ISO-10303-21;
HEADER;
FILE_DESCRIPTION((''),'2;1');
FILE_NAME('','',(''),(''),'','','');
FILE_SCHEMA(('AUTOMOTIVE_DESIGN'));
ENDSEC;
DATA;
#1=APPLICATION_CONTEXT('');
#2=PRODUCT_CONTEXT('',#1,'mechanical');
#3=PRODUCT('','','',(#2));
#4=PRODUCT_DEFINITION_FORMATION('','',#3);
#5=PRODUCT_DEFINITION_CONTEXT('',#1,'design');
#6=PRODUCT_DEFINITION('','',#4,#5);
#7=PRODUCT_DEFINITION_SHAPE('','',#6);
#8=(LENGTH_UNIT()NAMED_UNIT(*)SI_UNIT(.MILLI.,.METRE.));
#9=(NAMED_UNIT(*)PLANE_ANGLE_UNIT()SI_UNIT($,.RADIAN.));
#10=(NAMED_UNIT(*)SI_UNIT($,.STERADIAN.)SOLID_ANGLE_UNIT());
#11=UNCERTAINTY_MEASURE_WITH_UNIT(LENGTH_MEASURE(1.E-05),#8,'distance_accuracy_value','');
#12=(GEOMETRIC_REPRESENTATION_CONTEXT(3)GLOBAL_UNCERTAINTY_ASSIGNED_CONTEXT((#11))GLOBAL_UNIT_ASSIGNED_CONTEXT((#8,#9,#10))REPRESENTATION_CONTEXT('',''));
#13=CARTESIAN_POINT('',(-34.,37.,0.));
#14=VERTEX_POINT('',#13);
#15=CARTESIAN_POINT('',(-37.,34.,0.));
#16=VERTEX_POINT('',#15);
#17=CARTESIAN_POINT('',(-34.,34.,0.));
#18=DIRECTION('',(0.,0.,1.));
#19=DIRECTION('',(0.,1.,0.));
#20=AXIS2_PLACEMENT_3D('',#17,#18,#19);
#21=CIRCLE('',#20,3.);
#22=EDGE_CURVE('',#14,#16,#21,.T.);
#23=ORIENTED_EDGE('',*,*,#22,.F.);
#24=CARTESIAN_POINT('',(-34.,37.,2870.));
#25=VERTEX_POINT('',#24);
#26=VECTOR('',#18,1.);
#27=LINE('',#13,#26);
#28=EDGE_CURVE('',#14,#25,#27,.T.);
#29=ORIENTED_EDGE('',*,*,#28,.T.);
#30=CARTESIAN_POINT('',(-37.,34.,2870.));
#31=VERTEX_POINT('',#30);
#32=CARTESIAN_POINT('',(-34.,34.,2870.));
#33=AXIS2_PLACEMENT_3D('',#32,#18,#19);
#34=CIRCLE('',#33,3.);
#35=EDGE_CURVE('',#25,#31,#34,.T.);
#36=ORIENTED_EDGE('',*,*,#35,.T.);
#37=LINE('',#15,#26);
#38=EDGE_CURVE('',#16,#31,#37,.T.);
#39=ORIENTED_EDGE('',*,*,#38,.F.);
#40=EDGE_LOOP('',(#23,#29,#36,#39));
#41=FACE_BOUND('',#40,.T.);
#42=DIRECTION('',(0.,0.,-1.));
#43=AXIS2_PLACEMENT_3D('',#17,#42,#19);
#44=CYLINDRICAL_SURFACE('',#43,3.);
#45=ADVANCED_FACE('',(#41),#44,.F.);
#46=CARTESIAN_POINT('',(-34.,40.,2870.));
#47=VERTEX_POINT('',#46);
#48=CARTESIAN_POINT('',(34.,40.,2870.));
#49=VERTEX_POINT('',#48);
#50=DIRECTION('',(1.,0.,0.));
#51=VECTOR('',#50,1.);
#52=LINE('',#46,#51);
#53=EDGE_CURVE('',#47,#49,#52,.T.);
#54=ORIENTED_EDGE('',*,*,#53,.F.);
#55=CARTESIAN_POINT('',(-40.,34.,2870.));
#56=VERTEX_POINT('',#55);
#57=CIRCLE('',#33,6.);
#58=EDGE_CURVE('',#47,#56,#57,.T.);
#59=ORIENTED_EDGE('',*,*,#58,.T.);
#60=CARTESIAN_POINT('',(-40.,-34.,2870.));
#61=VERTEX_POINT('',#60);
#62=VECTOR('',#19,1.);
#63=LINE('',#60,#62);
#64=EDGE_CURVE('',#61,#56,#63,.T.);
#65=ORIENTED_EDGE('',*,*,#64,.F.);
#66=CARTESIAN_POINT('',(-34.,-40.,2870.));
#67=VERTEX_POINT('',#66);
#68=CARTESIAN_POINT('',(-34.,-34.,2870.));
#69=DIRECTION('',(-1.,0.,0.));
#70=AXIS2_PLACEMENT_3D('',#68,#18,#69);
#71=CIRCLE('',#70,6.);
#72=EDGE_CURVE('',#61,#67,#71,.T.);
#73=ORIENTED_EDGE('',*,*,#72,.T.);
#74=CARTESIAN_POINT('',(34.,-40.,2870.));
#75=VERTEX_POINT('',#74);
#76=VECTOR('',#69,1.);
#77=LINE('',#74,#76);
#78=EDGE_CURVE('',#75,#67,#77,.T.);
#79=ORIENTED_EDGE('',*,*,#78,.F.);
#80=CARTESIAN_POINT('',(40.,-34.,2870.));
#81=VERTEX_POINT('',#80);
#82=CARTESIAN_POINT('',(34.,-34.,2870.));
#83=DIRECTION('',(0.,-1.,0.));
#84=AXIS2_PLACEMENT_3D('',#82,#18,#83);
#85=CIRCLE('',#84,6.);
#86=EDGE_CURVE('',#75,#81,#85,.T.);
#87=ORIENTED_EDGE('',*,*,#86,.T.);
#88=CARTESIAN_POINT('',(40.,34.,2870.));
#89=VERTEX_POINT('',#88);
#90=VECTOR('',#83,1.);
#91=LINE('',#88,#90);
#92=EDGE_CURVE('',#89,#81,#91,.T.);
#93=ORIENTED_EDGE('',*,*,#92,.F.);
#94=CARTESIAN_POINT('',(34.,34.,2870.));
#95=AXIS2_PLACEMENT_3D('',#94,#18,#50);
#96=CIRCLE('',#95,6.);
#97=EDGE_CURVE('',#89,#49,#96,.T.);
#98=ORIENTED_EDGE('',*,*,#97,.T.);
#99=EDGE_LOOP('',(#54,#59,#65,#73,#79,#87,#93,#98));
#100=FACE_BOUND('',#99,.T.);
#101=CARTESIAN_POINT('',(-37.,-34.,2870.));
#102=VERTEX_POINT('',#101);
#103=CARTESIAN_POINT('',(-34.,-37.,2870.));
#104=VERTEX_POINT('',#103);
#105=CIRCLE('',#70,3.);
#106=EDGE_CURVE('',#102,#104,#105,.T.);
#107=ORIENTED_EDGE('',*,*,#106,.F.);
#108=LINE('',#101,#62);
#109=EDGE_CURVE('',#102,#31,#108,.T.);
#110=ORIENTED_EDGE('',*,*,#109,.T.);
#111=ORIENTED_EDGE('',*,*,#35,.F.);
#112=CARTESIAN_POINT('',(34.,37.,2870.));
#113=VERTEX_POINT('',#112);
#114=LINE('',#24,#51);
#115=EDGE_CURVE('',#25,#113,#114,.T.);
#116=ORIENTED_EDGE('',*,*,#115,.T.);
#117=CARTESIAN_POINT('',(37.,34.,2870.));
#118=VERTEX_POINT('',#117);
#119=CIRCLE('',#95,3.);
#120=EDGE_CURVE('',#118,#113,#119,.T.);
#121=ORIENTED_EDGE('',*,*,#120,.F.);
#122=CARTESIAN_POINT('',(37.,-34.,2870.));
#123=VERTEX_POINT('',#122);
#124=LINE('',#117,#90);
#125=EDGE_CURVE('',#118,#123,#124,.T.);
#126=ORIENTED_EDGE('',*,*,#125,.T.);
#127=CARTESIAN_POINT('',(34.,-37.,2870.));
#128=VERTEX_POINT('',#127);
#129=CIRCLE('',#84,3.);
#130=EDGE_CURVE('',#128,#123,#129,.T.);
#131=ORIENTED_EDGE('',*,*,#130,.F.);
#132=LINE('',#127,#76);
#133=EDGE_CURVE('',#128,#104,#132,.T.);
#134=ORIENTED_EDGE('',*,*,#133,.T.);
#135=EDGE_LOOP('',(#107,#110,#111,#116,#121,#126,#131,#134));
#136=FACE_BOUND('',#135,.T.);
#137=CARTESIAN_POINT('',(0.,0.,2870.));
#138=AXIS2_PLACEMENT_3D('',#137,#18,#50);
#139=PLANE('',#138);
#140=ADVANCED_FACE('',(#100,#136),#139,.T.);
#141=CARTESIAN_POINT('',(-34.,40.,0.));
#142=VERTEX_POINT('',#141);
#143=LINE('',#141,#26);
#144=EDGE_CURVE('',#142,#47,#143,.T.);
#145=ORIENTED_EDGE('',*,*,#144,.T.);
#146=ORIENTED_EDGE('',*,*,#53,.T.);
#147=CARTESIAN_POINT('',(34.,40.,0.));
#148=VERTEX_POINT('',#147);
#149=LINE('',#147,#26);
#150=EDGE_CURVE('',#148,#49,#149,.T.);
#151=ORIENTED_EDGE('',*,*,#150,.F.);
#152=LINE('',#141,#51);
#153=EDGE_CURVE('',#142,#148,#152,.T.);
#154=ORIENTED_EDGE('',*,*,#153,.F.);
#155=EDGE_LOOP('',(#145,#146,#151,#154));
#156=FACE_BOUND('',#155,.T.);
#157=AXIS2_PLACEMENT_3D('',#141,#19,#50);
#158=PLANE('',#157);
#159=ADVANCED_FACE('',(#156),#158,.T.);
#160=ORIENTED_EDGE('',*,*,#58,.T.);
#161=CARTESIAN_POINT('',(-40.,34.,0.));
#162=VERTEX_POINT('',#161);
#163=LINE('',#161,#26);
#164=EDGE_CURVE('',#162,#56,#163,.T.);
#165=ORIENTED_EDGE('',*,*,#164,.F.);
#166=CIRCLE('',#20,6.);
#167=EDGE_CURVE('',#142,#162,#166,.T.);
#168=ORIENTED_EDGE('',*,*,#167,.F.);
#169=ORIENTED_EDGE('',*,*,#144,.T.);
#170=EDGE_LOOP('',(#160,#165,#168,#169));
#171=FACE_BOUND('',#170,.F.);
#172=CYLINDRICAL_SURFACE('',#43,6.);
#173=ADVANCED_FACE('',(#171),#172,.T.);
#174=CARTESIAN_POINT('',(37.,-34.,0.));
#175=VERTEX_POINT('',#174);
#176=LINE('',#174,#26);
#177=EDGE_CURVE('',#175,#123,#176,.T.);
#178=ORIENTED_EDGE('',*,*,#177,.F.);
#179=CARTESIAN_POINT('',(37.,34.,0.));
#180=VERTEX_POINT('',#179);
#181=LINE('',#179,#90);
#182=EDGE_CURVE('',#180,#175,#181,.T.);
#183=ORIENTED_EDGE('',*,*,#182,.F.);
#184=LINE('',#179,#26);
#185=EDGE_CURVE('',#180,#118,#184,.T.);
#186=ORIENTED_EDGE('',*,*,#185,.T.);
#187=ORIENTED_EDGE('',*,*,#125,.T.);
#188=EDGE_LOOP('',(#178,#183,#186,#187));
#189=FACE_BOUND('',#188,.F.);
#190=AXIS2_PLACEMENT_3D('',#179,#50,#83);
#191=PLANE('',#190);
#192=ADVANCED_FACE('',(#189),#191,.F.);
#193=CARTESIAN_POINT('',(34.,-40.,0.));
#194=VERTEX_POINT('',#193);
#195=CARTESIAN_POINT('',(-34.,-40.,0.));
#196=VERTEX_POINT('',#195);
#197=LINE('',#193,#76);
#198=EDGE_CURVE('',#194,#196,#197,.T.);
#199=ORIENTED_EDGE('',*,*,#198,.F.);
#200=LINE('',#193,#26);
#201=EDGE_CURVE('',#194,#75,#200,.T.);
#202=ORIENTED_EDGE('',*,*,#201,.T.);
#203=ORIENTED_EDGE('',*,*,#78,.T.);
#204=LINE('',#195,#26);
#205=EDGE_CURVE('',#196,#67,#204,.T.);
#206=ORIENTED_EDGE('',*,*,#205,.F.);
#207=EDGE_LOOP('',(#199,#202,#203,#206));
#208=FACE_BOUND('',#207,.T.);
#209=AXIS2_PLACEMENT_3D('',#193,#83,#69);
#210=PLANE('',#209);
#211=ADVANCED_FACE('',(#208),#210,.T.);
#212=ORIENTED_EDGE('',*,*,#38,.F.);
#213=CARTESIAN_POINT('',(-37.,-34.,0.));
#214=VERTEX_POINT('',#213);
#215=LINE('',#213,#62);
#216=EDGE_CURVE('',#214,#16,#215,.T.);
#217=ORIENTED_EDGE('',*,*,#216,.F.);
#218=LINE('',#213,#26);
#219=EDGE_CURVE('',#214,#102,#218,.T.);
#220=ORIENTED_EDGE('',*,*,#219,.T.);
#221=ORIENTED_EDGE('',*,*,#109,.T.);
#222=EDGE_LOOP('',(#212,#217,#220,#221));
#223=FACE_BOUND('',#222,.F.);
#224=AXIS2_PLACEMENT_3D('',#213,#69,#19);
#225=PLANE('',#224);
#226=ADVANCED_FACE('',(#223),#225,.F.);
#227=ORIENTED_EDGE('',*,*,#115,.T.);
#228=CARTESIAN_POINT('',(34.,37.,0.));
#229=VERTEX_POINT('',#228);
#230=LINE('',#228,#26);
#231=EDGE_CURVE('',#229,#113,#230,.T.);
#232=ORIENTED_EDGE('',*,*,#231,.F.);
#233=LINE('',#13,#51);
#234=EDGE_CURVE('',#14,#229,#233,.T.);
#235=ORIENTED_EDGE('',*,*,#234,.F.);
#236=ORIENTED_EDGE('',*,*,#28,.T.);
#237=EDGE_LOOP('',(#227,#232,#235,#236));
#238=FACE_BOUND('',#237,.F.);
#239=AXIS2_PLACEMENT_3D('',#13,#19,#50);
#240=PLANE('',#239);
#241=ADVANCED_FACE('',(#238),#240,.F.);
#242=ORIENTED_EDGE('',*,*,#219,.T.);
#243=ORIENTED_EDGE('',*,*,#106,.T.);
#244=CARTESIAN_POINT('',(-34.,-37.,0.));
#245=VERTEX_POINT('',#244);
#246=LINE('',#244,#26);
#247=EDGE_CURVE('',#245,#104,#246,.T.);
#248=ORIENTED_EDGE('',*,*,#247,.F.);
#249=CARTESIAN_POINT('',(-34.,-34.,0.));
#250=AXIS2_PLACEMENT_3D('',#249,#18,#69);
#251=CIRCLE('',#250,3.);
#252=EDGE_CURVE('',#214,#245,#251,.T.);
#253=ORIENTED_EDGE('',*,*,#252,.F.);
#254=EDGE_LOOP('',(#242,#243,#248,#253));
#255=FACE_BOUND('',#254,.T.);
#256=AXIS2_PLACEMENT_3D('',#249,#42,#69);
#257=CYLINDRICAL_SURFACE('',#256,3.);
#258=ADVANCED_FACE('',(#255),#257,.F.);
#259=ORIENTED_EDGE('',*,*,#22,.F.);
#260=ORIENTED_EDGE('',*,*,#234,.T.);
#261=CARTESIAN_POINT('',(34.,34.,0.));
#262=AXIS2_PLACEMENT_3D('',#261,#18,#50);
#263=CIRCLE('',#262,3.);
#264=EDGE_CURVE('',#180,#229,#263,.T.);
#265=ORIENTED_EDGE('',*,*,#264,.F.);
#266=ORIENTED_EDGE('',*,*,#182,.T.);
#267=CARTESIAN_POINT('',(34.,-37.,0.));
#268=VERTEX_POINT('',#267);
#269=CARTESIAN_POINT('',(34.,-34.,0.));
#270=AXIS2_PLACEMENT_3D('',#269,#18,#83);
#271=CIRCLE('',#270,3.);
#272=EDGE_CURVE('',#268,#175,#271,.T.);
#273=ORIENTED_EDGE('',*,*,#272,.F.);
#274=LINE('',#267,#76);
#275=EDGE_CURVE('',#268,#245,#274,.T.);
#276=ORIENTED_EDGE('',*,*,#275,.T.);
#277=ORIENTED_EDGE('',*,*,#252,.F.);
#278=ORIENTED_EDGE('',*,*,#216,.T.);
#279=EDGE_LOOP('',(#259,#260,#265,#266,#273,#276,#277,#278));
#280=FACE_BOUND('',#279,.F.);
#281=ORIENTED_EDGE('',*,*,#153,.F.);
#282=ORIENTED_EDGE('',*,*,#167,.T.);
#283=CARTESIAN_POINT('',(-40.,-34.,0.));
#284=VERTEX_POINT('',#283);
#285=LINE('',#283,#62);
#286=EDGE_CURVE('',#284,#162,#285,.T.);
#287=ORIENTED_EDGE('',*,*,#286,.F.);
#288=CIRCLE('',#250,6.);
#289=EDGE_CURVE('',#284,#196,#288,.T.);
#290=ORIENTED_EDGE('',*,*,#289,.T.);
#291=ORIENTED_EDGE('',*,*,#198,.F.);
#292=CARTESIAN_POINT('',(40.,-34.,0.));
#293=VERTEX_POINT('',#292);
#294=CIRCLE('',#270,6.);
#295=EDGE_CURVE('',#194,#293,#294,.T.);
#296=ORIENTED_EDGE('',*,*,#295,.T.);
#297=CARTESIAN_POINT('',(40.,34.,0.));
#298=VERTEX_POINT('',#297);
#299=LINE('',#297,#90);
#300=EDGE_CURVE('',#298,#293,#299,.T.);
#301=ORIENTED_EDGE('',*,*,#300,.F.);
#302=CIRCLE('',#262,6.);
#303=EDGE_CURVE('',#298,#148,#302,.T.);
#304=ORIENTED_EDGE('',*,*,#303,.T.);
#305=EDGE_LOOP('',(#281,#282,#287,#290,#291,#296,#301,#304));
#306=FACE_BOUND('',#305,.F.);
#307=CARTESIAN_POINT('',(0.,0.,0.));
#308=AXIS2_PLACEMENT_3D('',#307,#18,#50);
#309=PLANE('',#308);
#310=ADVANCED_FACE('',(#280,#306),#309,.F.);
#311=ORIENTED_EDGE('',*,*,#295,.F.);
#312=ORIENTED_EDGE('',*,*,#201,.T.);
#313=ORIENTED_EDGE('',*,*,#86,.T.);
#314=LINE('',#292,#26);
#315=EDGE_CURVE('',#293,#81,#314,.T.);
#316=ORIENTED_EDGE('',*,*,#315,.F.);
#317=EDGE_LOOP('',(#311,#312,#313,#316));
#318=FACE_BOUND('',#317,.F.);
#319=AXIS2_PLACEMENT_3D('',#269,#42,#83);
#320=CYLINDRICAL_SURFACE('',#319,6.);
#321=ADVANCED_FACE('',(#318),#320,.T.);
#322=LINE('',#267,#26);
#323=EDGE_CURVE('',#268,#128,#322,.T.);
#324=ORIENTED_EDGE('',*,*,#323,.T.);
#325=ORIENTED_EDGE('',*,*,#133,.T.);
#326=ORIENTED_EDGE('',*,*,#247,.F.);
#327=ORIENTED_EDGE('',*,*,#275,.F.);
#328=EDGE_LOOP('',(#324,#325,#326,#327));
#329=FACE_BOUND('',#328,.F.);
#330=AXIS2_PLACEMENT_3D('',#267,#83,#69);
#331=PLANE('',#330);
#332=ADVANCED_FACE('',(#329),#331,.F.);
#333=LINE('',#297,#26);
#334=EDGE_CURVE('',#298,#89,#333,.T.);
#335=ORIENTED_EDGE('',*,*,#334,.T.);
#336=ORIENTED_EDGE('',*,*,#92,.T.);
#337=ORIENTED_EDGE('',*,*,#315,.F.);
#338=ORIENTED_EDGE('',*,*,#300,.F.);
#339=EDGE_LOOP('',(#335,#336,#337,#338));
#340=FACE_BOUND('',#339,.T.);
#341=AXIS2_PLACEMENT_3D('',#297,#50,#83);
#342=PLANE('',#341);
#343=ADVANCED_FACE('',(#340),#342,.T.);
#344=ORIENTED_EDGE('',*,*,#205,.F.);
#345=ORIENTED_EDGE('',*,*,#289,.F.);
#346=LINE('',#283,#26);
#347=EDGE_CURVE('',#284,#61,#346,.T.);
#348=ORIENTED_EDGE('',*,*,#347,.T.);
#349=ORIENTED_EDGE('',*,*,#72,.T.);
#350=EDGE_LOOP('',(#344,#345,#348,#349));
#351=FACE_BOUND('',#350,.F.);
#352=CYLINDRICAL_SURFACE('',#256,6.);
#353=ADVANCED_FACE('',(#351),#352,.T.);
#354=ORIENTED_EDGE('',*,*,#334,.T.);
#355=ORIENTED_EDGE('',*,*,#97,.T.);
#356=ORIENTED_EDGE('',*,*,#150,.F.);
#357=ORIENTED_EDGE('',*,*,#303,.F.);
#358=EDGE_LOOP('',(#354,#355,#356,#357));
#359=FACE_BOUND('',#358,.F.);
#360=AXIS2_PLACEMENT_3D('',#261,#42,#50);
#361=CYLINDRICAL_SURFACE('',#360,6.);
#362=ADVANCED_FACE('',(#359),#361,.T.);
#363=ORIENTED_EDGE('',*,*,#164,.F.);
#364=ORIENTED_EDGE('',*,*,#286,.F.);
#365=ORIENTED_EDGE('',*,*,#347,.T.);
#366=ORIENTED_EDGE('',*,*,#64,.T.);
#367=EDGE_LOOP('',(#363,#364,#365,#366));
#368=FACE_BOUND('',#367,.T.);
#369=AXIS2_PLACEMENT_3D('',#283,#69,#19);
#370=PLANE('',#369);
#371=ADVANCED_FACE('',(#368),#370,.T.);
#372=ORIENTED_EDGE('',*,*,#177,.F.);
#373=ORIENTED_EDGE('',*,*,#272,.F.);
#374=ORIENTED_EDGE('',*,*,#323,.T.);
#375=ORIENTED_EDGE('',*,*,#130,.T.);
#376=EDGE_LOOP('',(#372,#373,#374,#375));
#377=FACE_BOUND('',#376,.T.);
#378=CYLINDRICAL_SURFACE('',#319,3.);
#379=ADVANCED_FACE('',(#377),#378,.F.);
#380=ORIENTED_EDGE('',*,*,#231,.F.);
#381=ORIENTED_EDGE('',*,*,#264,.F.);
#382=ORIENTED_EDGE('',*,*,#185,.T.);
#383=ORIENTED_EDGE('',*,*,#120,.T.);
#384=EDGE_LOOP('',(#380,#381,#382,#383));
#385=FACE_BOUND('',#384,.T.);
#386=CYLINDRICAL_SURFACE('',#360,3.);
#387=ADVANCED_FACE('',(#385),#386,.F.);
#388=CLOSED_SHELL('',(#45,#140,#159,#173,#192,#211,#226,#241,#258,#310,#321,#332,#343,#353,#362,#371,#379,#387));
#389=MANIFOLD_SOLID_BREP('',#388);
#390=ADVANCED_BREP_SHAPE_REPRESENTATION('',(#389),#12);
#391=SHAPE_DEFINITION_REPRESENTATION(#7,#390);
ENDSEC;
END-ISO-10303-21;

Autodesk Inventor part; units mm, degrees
ref_plane "YZ Plane" through (0, 0, 0) normal (1, 0, 0) x (0, 1, 0)
ref_plane "Start Plane" through (0, 0, 0) normal (0, 0, 1) x (1, 0, 0)
ref_plane "End Plane" through (0, 0, 2870) normal (0, 0, 1) x (1, 0, 0)
sketch "Sketch" plane through (0, 0, 0) normal (0, 0, 1) x (1, 0, 0)
  line L0 (-40, -34) -> (-40, 34)
  line L1 (-34, 40) -> (34, 40)
  line L2 (40, 34) -> (40, -34)
  line L3 (34, -40) -> (-34, -40)
  arc A0 (-40, -34) -> (-34, -40) centre (-34, -34) ccw
  arc A1 (40, 34) -> (34, 40) centre (34, 34) ccw
  arc A2 (-34, 40) -> (-40, 34) centre (-34, 34) ccw
  arc A3 (34, -40) -> (40, -34) centre (34, -34) ccw
  arc A4 (-34, 37) -> (-37, 34) centre (-34, 34) ccw
  line L4 (-34, 37) -> (34, 37)
  arc A5 (37, 34) -> (34, 37) centre (34, 34) ccw
  line L5 (37, 34) -> (37, -34)
  arc A6 (34, -37) -> (37, -34) centre (34, -34) ccw
  line L6 (34, -37) -> (-34, -37)
  arc A7 (-37, -34) -> (-34, -37) centre (-34, -34) ccw
  line L7 (-37, -34) -> (-37, 34)
  line L8 (0, 57.7397) -> (0, -57.7397) construction
  line L9 (-57.7397, 0) -> (57.7397, 0) construction
  dimension "d7" = 6
  dimension "d9" = 80
  dimension "d11" = 80
  dimension "d12" = 3
  dimension "d15" = 40
  dimension "d16" = 40
extrude "Body" add sketch "Sketch" along normal up to surface (2870 mm away) from surface at 0
sketch "Sketch3" plane through (0, 0, 0) normal (0, 0, 1) x (1, 0, 0)
  line L0 (0, 0) -> (10, 0)
ref_plane "Work Plane3" through (0, 0, 0) normal (0, -1, 0) x (1, 0, 0)
sketch "Sketch4" plane through (0, 0, 0) normal (0, -1, 0) x (1, 0, 0)
  line L0 (-2, 0) -> (12, 0) projected
  line L1 (-2, 2870) -> (12, 2870) projected
  dimension "d18" = 2870
equation "\"d7\" = G_IR"
equation "\"d9\" = G_W"
equation "\"d11\" = G_H"
equation "\"d12\" = G_T"
equation "\"d15\" = 0.5 * d9"
equation "\"d16\" = 0.5 * d11"
equation "\"d3\" = G_L"
equation "\"G_W\" = 80"
equation "\"G_H\" = 80"
equation "\"G_T\" = 3"
equation "\"G_IR\" = 6"
equation "\"G_L\" = d18"
equation "\"G_OFFSET_START\" = 0"
equation "\"G_OFFSET_END\" = 0"
properties part number "ISO 10799-2 - 80x80x3 - 2870" material "Steel, Mild"
